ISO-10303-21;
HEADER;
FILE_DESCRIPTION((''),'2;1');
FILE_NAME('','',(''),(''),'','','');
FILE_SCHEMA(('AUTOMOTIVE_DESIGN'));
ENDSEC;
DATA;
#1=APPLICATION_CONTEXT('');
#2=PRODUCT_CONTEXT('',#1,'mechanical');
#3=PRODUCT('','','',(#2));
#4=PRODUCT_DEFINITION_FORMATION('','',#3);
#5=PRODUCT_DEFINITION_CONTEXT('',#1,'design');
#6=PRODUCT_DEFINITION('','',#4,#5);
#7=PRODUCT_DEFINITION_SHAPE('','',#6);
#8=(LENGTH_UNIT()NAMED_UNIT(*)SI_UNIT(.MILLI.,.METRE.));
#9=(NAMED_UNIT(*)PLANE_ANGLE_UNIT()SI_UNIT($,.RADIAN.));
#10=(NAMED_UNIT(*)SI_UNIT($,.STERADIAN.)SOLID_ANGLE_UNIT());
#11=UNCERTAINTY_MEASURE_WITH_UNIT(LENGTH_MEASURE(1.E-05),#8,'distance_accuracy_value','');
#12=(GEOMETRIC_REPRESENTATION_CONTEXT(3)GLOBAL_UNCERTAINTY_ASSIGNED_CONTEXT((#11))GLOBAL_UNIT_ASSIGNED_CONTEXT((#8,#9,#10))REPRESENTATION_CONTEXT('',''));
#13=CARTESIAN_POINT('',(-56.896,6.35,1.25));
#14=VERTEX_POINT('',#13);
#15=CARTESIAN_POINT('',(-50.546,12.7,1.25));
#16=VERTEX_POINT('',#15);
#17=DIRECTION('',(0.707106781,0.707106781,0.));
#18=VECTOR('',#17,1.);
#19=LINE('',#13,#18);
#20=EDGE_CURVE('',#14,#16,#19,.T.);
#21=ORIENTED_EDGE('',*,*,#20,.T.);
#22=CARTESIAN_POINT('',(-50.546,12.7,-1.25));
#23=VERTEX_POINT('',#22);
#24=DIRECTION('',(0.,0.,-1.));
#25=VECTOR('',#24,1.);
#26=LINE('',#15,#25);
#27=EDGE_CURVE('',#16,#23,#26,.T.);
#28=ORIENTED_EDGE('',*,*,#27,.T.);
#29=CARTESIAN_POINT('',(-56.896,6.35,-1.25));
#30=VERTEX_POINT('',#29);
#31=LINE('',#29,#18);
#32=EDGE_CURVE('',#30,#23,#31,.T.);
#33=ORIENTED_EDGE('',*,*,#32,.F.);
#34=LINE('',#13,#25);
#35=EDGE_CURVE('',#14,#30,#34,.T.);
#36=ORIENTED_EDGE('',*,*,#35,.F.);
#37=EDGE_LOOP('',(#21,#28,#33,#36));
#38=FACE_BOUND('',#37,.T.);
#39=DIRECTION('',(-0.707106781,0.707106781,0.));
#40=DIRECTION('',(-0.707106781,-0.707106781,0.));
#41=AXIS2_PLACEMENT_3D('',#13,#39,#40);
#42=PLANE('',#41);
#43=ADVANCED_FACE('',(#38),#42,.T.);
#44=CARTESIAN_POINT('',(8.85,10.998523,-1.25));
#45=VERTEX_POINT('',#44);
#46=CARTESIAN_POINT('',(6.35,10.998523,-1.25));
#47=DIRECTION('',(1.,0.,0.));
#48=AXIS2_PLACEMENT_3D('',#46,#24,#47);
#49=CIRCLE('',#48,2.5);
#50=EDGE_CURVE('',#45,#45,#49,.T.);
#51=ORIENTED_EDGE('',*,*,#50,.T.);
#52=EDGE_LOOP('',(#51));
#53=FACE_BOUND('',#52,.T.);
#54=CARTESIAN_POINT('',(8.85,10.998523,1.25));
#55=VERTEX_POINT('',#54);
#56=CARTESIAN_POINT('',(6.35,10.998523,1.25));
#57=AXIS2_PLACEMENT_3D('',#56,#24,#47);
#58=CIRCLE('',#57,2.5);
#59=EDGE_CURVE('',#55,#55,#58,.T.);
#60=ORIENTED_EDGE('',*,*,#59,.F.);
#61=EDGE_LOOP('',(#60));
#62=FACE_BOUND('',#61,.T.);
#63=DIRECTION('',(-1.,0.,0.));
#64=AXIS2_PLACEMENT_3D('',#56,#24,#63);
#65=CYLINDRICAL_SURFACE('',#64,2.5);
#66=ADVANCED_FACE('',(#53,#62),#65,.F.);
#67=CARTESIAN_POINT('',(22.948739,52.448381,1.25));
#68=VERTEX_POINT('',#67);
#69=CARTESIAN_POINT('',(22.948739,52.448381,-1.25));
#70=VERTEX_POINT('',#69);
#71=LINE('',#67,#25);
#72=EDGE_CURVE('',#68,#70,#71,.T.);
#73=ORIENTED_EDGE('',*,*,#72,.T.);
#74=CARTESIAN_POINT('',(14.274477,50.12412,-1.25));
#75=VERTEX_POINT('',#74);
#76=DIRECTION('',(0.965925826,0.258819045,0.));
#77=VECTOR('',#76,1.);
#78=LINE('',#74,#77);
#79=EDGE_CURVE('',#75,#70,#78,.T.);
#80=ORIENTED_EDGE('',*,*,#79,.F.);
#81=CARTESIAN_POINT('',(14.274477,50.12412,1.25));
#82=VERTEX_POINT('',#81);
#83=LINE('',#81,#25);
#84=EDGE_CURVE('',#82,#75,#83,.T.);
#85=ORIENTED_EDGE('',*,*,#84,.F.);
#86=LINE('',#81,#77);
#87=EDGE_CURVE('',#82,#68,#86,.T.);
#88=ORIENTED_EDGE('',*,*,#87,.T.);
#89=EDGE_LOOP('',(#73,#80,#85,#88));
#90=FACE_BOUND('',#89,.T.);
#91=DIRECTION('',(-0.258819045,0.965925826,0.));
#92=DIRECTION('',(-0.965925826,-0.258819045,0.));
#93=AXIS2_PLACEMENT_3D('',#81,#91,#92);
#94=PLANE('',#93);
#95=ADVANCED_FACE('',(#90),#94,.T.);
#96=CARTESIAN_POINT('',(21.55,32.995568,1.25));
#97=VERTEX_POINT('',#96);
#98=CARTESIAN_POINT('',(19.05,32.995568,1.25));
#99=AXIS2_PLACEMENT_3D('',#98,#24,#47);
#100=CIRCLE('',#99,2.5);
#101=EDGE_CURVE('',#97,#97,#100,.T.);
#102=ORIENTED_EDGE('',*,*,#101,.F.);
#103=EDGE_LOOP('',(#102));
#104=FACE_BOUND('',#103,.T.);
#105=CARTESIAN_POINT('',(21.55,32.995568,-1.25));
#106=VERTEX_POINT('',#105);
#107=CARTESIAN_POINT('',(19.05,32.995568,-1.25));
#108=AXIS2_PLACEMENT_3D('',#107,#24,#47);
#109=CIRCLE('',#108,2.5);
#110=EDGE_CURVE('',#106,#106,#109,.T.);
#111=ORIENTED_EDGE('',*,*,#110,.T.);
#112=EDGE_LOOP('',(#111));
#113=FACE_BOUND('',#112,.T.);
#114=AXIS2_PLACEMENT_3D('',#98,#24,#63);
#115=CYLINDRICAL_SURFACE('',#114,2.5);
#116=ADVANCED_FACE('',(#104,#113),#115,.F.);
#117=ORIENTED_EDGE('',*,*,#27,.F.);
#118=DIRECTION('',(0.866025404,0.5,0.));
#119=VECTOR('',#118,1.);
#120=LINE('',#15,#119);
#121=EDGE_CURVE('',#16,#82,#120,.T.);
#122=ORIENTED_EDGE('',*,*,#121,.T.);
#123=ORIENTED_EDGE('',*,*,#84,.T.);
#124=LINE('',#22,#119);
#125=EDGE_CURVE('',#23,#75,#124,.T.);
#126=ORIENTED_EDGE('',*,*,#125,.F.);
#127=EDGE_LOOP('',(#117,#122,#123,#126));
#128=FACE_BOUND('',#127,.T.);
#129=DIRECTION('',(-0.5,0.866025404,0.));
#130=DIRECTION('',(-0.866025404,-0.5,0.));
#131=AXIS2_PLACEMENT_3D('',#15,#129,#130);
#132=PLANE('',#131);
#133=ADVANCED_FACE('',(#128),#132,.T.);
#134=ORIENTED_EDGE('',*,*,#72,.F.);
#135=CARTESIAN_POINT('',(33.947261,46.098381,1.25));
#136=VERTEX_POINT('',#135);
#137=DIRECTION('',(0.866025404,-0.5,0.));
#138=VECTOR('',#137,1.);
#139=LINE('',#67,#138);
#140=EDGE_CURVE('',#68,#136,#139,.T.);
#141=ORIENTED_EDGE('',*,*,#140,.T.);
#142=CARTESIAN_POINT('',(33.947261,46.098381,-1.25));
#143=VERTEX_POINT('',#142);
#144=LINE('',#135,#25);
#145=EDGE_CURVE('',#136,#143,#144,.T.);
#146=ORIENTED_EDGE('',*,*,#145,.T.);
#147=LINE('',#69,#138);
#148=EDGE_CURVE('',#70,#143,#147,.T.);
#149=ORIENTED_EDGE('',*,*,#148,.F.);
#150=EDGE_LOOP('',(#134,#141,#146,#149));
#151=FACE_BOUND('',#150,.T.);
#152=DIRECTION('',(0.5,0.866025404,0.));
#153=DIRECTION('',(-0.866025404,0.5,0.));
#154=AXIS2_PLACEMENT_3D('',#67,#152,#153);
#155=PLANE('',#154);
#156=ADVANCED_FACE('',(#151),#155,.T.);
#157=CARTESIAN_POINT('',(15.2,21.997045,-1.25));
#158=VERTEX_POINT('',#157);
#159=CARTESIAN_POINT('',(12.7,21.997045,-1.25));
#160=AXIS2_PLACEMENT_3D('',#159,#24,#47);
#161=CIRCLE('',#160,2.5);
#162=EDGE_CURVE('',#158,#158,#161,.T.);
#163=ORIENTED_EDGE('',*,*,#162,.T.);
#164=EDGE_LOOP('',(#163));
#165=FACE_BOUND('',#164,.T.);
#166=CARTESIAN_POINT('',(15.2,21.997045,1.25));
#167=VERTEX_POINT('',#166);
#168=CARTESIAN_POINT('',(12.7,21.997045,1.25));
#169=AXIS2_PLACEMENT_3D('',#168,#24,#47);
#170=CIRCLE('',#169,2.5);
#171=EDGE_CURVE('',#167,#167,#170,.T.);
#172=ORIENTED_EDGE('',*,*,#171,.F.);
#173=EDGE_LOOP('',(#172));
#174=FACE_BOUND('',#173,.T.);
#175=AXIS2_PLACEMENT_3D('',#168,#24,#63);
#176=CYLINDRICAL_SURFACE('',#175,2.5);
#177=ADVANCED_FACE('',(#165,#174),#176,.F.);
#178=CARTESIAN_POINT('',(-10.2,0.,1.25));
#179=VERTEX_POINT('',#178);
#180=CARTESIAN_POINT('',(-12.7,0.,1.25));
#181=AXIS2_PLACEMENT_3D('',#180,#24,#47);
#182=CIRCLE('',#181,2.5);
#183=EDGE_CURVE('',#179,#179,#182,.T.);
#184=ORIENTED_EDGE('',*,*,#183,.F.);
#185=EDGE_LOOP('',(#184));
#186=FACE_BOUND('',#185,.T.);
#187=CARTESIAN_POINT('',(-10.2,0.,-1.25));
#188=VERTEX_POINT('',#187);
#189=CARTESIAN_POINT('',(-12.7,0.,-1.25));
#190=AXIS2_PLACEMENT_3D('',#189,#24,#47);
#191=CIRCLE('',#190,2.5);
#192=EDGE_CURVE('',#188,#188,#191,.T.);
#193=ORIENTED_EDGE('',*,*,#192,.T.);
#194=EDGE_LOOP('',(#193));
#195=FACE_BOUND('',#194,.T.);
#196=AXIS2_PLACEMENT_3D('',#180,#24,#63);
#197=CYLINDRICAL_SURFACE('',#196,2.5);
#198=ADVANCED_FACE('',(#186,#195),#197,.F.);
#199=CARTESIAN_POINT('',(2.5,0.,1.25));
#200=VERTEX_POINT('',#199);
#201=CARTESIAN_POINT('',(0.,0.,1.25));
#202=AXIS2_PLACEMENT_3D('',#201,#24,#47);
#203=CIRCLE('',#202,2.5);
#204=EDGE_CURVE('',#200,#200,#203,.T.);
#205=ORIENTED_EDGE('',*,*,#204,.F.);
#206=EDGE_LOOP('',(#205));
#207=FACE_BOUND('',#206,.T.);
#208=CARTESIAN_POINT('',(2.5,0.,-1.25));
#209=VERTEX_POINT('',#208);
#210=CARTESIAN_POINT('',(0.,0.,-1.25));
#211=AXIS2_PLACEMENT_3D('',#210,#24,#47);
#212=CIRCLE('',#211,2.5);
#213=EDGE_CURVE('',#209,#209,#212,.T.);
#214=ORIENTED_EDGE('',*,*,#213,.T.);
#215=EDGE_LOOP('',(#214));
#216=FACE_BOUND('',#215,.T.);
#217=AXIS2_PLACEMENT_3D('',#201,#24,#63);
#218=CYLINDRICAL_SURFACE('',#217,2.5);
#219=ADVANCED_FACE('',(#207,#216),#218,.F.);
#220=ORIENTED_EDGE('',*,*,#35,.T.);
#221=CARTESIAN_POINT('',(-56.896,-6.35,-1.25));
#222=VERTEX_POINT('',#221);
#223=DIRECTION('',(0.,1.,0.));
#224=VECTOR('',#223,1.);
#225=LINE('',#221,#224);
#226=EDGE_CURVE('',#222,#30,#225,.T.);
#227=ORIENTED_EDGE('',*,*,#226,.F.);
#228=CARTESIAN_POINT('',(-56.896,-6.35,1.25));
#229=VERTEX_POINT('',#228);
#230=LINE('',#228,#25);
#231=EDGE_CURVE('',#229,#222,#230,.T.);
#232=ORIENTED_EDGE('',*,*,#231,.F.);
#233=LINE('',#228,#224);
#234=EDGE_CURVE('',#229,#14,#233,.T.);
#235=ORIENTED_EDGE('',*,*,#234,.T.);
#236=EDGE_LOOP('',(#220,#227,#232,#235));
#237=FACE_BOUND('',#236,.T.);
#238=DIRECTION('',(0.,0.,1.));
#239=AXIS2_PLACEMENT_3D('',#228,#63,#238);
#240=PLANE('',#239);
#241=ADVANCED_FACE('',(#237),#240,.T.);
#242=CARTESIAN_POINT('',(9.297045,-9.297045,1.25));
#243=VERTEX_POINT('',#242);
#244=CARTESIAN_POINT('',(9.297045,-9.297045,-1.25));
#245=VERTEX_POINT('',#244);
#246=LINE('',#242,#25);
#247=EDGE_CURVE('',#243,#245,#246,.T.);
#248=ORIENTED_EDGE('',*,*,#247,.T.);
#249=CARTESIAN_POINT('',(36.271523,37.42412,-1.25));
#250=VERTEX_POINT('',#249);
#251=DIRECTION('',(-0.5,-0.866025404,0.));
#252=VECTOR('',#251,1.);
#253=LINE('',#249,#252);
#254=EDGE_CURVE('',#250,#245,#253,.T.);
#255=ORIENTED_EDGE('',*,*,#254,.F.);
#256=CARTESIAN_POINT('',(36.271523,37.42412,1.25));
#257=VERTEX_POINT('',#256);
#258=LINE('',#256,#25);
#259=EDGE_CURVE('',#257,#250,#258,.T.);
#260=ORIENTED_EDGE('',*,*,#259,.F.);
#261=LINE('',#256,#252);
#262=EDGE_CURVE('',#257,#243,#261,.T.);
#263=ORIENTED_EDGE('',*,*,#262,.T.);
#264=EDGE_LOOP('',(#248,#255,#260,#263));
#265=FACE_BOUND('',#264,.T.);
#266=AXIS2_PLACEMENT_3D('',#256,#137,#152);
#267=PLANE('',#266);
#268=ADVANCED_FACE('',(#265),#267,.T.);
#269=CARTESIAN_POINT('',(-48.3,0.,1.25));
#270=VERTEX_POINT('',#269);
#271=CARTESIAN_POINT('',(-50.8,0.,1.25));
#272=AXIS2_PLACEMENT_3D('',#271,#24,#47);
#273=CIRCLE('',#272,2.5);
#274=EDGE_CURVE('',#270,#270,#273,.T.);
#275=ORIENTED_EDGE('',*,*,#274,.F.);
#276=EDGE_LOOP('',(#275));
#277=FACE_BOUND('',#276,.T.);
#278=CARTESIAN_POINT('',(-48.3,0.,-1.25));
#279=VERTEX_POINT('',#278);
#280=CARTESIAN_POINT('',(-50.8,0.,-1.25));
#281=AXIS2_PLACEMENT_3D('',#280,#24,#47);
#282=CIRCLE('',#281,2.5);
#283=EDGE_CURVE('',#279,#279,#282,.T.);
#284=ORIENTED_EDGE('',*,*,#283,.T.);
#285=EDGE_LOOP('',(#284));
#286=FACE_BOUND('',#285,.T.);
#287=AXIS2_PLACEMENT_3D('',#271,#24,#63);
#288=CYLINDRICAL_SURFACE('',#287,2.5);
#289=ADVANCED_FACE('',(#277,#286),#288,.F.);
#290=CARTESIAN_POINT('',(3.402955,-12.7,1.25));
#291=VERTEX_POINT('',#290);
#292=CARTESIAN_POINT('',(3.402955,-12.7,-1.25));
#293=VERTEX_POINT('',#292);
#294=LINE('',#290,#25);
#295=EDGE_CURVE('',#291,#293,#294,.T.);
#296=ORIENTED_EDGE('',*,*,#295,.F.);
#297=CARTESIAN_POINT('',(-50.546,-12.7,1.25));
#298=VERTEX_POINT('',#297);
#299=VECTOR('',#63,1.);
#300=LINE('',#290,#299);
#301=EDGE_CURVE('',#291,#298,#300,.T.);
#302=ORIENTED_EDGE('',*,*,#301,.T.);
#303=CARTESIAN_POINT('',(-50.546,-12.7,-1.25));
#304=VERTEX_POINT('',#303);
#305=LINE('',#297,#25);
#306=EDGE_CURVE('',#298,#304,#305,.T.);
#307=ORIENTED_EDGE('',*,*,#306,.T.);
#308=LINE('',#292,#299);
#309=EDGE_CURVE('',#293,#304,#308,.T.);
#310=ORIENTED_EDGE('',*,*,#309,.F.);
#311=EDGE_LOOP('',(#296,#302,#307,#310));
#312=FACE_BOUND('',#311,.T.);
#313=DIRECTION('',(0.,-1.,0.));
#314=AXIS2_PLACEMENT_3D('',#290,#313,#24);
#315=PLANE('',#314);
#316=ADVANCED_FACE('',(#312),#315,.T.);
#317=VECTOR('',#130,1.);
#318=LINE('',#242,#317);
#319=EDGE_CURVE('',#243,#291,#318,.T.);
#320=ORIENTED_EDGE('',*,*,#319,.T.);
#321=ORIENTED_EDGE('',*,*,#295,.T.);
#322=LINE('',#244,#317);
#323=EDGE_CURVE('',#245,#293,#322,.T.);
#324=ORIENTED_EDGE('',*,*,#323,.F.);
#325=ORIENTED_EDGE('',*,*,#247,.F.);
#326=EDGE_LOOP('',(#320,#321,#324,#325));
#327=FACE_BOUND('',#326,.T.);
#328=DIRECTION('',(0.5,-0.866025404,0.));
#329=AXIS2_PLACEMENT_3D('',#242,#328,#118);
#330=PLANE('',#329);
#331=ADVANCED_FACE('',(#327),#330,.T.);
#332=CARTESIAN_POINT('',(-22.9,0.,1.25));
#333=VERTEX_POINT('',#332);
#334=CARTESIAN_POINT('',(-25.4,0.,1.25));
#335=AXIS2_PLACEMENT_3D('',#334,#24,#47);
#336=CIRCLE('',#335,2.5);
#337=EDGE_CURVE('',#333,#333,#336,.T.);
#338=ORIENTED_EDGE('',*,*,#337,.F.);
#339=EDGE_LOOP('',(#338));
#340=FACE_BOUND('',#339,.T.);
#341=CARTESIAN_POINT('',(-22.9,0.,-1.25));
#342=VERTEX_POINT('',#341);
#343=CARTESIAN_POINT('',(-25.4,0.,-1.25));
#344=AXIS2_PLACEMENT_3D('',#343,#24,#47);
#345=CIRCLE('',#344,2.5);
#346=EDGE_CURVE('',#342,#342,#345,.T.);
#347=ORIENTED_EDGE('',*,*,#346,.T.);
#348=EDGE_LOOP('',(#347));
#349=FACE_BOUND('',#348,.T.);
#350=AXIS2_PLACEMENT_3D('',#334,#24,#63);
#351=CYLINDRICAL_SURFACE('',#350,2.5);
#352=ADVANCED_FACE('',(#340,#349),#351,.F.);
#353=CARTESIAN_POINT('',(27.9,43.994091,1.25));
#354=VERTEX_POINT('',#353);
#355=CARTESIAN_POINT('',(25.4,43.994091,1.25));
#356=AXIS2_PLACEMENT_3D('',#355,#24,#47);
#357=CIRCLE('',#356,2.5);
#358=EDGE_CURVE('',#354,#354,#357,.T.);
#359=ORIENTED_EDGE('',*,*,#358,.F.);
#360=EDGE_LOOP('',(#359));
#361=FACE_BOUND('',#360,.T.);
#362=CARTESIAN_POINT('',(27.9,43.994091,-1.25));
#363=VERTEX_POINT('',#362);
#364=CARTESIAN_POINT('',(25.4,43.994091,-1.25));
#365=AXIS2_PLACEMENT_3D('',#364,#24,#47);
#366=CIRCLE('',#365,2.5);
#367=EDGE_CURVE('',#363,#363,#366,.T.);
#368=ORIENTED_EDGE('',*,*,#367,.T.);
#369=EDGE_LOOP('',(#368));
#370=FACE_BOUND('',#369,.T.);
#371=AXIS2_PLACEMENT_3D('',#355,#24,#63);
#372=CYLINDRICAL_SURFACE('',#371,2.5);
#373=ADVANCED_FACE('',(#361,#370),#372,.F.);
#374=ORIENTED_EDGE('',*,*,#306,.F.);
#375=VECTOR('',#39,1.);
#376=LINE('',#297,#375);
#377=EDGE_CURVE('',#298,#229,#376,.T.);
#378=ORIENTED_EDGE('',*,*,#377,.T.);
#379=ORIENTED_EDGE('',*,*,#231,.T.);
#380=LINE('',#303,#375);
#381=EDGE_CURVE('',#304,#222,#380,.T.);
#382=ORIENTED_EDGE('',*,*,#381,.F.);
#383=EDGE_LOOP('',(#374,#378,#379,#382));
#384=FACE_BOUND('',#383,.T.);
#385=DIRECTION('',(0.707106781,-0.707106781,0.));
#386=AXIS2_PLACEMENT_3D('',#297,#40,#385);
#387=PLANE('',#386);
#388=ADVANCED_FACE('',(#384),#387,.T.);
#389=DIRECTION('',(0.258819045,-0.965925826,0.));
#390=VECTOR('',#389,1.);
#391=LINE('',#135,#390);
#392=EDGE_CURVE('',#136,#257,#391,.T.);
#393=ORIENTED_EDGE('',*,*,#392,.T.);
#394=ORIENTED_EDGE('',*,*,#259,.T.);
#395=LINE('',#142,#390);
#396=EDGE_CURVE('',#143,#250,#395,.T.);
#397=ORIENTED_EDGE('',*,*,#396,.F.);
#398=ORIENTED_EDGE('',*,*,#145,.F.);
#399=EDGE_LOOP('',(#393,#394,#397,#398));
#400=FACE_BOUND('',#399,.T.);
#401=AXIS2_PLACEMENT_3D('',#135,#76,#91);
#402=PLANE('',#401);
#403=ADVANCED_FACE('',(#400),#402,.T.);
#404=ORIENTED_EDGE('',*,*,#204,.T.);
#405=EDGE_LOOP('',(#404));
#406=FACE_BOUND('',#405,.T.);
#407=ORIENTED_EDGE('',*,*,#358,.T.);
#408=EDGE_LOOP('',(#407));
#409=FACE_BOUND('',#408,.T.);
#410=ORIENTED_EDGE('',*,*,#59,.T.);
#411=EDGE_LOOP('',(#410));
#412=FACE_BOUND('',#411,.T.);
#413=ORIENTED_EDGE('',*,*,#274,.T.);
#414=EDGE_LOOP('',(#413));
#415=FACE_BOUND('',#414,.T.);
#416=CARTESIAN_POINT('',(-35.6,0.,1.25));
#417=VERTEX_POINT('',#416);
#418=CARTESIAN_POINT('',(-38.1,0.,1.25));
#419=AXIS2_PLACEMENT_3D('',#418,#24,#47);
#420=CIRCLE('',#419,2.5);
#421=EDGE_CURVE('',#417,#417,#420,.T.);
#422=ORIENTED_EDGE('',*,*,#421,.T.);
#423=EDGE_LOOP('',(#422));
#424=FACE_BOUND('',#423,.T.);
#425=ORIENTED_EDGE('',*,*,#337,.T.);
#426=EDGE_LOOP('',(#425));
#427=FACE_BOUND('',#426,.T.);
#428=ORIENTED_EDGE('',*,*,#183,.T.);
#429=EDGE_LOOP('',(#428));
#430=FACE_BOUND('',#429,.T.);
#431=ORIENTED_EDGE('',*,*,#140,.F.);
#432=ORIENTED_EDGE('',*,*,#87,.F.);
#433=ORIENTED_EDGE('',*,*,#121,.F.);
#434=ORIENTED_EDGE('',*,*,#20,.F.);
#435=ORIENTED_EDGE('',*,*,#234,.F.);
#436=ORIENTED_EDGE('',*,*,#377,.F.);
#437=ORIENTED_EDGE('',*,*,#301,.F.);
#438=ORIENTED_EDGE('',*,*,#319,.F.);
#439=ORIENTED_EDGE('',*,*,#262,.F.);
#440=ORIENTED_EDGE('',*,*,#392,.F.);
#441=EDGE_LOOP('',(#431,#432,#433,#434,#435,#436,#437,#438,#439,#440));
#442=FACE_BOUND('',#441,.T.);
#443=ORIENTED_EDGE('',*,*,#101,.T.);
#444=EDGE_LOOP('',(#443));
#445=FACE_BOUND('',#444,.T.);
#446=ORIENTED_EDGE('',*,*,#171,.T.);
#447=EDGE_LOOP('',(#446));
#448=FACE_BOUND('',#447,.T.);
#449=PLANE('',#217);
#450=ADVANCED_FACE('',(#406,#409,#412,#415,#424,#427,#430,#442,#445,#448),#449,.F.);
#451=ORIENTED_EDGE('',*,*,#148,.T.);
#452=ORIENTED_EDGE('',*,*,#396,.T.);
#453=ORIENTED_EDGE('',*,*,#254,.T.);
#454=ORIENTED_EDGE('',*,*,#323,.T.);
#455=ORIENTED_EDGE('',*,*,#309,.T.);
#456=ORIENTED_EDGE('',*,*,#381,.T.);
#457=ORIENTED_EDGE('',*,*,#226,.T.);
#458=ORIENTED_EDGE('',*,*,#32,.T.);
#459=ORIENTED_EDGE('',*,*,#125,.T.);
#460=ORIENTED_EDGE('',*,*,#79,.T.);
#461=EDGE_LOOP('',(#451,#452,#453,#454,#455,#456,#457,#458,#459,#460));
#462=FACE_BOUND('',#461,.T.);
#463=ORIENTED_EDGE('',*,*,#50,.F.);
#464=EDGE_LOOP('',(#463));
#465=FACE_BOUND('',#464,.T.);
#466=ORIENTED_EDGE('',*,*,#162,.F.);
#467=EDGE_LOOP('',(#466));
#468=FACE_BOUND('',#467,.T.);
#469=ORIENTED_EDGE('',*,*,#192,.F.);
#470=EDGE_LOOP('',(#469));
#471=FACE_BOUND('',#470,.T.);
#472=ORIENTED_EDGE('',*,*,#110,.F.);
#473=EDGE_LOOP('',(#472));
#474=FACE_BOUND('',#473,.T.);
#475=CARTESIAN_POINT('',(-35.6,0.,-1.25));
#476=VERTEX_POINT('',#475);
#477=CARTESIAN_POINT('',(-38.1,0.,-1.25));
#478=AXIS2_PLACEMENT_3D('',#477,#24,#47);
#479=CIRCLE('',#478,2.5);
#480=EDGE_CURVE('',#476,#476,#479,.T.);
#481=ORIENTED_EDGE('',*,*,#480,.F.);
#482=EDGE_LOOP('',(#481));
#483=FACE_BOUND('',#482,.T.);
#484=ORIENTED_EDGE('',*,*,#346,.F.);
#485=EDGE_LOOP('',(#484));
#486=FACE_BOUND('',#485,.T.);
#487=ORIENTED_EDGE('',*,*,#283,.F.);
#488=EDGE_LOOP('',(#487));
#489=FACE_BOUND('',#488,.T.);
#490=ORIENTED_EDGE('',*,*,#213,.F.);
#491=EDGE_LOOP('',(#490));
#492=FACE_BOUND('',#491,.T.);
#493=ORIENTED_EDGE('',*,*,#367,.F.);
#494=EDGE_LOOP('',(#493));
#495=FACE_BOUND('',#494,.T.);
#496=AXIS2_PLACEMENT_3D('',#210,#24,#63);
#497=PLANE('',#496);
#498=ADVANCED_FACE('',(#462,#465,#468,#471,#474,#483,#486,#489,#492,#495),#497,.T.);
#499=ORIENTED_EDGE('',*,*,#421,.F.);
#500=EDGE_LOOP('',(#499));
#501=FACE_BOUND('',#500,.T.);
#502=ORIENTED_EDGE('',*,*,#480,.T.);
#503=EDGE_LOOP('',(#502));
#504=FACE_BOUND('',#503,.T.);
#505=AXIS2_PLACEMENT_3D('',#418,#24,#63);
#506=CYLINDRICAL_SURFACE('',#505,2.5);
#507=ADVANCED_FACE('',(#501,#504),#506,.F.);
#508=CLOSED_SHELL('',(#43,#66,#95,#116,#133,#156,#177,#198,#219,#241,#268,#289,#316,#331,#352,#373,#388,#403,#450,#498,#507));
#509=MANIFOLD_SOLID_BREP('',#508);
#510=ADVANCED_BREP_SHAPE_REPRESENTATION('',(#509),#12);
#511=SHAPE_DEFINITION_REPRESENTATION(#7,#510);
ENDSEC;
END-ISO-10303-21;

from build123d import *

# Parameters (mm, degrees)
SKETCH1_R           = 2.5
BOSS_EXTRUDE1_DEPTH = 2.5


with BuildPart() as part:
    # Sketch1 → Boss-Extrude1 (new body)
    with BuildSketch(Plane(origin=(0, 0, -1.25), x_dir=(-1, 0, 0), z_dir=(0, 0, -1))):
        Polygon((-3.402954744, -12.7), (50.546, -12.7), (56.896, -6.35), (56.896, 6.35), (50.546, 12.7), (-14.274477372, 50.12412006), (-22.948738686, 52.448381374), (-33.947261314, 46.098381374), (-36.271522628, 37.42412006), (-9.297045256, -9.297045256), align=None)
        with Locations((12.7, 0)):
            Circle(SKETCH1_R, mode=Mode.SUBTRACT)
        with Locations((25.4, 0)):
            Circle(SKETCH1_R, mode=Mode.SUBTRACT)
        Circle(SKETCH1_R, mode=Mode.SUBTRACT)
        with Locations((50.8, 0)):
            Circle(SKETCH1_R, mode=Mode.SUBTRACT)
        with Locations((38.1, 0)):
            Circle(SKETCH1_R, mode=Mode.SUBTRACT)
        with Locations((-25.4, 43.994090512)):
            Circle(SKETCH1_R, mode=Mode.SUBTRACT)
        with Locations((-19.05, 32.995567884)):
            Circle(SKETCH1_R, mode=Mode.SUBTRACT)
        with Locations((-12.7, 21.997045256)):
            Circle(SKETCH1_R, mode=Mode.SUBTRACT)
        with Locations((-6.35, 10.998522628)):
            Circle(SKETCH1_R, mode=Mode.SUBTRACT)
    extrude(amount=-BOSS_EXTRUDE1_DEPTH)


solid = part.part
